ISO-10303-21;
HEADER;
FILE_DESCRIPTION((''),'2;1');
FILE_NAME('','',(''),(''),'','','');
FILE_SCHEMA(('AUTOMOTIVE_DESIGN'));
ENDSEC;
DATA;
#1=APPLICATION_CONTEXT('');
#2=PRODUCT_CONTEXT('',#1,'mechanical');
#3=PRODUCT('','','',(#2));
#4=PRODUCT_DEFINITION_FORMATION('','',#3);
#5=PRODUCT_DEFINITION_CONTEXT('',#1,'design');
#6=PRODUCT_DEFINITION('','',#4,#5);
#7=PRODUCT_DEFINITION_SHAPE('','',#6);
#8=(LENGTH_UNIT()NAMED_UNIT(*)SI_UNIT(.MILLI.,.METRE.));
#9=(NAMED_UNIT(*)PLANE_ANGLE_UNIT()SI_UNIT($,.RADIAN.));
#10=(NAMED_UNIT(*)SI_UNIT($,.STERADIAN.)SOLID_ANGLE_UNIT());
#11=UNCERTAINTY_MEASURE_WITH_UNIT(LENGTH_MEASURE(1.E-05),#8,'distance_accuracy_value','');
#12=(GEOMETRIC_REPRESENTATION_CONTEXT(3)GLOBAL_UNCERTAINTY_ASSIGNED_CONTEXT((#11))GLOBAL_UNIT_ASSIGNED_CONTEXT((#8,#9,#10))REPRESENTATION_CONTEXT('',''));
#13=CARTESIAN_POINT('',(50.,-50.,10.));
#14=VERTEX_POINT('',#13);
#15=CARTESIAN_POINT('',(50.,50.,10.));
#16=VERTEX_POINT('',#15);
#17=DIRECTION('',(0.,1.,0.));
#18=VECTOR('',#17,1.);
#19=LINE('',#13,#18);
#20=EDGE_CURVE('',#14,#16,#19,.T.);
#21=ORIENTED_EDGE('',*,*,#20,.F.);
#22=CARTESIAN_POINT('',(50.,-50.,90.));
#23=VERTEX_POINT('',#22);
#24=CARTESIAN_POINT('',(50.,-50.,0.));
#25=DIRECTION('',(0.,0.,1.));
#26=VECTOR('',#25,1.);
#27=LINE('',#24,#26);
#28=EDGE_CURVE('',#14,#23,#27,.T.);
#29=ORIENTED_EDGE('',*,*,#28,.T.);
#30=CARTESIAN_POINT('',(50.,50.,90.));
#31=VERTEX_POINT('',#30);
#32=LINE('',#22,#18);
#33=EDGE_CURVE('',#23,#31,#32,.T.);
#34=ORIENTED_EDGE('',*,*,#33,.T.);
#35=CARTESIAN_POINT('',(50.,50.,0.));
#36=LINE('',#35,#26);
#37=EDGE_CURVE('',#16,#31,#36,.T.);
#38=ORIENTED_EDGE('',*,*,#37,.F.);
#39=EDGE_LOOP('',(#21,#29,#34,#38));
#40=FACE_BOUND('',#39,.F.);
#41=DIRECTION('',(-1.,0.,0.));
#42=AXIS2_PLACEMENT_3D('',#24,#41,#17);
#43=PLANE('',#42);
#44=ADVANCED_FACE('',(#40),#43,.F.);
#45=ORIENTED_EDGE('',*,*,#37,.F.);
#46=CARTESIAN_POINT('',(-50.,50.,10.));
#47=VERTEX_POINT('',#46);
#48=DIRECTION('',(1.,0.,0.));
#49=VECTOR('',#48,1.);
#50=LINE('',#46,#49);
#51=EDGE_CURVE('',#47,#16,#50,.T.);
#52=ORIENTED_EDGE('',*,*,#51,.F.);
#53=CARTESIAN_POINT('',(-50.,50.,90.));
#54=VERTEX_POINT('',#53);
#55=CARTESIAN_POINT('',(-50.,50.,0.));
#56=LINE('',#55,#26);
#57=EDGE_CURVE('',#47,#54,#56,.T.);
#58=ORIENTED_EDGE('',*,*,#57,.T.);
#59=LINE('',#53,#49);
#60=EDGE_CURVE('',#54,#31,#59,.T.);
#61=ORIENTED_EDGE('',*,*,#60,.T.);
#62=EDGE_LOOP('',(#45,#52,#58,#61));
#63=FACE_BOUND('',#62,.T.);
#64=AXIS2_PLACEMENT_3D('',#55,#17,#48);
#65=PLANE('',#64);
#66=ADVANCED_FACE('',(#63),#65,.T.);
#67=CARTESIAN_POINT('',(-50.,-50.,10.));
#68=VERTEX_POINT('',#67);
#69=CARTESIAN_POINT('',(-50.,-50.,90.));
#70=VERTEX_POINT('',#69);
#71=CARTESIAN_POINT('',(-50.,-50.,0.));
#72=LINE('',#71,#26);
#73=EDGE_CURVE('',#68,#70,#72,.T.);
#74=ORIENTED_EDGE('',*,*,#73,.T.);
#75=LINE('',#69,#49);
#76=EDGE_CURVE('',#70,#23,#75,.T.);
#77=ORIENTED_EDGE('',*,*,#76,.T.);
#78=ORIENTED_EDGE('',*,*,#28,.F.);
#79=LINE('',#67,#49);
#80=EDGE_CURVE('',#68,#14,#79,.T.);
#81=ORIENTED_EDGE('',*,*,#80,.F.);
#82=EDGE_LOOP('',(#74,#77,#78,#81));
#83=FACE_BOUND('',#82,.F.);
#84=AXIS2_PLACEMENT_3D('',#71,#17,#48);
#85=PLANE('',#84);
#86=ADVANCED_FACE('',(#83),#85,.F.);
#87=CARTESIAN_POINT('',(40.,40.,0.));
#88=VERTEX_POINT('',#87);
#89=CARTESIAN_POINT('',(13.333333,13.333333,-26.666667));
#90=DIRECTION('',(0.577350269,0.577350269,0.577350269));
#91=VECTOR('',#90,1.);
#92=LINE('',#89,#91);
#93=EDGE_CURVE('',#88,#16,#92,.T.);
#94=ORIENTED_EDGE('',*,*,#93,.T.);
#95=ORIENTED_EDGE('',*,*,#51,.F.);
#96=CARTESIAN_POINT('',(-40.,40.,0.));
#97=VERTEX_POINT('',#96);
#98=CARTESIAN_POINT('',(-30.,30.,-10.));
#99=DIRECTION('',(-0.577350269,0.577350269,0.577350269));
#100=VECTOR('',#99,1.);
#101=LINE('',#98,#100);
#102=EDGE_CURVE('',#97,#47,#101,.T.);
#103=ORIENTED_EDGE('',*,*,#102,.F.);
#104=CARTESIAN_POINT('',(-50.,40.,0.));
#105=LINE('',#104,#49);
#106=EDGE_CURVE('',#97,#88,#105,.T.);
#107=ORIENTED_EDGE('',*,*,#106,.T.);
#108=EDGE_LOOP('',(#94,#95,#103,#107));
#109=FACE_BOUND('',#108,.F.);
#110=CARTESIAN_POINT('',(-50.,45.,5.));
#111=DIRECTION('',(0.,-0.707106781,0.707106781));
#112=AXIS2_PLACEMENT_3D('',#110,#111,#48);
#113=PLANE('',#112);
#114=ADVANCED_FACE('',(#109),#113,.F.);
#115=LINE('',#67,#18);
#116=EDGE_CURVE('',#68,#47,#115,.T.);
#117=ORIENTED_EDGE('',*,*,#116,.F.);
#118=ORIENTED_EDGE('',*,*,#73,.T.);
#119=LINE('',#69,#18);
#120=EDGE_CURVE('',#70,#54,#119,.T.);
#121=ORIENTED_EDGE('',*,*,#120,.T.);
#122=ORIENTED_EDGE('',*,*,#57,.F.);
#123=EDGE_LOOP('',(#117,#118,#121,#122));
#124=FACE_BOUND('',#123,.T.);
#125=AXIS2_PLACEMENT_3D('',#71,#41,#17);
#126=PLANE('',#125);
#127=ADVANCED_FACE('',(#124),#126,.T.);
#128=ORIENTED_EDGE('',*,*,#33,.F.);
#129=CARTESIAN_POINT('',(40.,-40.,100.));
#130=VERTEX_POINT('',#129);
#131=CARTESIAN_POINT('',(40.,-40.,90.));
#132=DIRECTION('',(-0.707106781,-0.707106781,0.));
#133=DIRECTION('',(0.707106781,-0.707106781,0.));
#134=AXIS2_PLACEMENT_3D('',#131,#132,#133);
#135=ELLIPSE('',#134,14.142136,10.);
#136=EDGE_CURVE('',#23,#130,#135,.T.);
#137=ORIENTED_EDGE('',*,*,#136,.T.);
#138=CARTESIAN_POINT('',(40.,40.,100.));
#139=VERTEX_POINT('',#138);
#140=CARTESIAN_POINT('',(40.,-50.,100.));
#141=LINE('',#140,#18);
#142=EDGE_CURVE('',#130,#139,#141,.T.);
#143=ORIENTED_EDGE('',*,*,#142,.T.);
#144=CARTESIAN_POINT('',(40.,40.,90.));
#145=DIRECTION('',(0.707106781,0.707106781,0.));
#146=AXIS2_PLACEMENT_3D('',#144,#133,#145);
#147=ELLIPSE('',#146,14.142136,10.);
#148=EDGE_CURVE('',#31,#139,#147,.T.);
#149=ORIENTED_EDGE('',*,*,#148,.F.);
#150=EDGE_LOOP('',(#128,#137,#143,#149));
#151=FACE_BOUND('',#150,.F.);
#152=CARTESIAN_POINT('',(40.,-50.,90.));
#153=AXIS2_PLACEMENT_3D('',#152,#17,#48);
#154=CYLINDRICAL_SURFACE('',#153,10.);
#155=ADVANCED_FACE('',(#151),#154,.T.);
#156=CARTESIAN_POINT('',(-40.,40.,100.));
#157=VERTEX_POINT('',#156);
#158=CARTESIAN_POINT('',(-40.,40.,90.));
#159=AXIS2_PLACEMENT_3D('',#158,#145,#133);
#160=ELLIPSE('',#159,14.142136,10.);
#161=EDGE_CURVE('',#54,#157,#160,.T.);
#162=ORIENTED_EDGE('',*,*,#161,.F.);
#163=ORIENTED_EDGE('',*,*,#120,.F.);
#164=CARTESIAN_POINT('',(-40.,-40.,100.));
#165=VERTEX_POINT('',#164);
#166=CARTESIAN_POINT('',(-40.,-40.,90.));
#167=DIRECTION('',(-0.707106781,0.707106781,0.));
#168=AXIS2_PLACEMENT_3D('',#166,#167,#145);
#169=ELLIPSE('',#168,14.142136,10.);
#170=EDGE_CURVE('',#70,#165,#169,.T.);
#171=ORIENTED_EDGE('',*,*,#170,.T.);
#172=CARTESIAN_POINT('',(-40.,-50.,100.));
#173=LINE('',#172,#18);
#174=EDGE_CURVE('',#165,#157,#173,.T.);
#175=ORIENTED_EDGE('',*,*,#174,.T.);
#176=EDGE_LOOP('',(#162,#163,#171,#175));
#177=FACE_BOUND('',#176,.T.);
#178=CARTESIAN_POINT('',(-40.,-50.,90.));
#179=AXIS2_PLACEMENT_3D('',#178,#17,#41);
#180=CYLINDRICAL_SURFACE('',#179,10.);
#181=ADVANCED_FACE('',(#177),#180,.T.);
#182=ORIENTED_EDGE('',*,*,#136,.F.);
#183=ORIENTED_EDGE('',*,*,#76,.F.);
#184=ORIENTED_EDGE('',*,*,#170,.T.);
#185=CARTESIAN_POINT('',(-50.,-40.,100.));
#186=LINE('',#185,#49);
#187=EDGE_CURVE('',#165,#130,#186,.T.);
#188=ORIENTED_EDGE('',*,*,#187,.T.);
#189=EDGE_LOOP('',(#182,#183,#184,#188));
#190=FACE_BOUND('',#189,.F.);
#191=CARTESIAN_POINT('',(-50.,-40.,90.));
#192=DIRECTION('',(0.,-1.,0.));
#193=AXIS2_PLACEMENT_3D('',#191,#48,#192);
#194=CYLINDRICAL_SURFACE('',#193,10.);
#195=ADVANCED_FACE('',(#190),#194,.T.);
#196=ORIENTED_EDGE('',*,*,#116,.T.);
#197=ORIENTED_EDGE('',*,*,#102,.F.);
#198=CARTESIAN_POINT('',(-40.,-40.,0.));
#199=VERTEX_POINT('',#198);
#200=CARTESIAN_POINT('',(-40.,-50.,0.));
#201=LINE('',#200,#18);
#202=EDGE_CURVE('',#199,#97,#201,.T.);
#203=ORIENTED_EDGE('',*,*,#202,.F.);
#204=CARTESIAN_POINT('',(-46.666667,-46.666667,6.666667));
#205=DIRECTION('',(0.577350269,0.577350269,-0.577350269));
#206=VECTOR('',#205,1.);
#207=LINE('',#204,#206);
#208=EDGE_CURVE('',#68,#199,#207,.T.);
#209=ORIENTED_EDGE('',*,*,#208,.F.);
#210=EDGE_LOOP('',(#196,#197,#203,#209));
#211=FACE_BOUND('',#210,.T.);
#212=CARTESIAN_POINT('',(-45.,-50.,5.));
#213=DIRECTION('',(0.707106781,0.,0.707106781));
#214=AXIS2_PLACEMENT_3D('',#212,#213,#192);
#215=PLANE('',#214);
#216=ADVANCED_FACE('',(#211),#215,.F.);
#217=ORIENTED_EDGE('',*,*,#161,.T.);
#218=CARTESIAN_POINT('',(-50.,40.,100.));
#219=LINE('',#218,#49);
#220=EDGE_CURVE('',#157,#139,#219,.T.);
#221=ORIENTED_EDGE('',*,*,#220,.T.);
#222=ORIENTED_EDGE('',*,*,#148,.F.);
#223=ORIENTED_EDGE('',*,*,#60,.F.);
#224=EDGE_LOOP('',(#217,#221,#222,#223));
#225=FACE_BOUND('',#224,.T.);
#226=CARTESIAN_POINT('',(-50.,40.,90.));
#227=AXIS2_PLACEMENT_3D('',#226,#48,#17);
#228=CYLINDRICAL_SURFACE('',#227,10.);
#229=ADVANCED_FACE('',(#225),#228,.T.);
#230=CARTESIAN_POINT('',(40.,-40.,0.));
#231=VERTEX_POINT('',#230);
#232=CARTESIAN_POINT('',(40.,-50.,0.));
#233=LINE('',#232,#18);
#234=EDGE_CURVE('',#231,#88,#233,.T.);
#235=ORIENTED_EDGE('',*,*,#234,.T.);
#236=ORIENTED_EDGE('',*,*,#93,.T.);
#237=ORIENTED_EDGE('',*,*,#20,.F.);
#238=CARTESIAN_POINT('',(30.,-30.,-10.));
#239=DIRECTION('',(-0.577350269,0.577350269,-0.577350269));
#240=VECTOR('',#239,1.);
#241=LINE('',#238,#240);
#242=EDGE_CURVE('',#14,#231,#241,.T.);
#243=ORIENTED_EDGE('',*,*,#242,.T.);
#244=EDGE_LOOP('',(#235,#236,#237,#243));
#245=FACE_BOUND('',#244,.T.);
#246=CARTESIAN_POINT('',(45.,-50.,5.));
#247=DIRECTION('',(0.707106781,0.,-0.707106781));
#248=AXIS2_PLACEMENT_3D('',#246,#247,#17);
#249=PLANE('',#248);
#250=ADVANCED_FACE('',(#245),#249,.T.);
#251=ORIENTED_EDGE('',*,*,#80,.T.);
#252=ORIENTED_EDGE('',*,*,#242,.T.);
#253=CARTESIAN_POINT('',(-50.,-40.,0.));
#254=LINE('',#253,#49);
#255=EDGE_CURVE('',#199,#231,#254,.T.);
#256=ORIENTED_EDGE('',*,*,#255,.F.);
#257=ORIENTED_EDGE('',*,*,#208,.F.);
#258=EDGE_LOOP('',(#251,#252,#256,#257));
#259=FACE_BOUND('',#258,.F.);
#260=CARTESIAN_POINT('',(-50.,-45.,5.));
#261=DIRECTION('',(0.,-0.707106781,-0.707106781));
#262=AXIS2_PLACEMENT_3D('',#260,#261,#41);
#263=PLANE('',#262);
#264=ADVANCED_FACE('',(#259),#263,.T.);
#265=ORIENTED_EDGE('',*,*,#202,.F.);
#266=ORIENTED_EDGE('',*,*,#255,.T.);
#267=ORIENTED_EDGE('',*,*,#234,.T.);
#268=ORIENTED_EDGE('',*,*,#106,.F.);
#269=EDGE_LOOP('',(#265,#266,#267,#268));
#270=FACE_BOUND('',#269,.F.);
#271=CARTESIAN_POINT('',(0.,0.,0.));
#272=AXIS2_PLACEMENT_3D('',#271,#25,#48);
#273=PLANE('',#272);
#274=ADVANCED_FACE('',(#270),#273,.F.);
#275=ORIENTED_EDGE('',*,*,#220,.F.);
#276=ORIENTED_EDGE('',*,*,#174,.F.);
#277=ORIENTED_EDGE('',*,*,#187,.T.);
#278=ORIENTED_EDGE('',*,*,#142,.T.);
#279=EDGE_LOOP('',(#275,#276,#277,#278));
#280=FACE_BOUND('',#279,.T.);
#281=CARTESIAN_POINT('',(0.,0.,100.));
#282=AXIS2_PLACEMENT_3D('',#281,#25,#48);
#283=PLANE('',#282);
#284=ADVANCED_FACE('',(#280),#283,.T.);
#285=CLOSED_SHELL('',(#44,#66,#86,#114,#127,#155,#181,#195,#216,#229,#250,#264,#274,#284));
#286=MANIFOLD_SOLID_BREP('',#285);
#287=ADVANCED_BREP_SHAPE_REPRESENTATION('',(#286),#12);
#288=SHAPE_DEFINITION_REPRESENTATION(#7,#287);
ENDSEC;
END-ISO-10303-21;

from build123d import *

# Parameters (mm, degrees)
F0_W     = 100
F0_H     = 100
F1_DEPTH = 100
F2_R     = 10
F3_SIZE  = 10


with BuildPart() as f1:
    # F0 (on Top) → F1 (new body)
    with BuildSketch(Plane.XY):
        Rectangle(F0_W, F0_H)
    extrude(amount=F1_DEPTH)

    # F2
    f2_edges = [f1.edges().sort_by_distance(p)[0] for p in [
        (0, 50, 100),
        (-50, 0, 100),
        (0, -50, 100),
        (50, 0, 100),
    ]]
    fillet(f2_edges, radius=F2_R)

    # F3
    f3_edges = [f1.edges().sort_by_distance(p)[0] for p in [
        (0, 50, 0),
        (-50, 0, 0),
        (0, -50, 0),
        (50, 0, 0),
    ]]
    chamfer(f3_edges, length=F3_SIZE)


solid = f1.part
